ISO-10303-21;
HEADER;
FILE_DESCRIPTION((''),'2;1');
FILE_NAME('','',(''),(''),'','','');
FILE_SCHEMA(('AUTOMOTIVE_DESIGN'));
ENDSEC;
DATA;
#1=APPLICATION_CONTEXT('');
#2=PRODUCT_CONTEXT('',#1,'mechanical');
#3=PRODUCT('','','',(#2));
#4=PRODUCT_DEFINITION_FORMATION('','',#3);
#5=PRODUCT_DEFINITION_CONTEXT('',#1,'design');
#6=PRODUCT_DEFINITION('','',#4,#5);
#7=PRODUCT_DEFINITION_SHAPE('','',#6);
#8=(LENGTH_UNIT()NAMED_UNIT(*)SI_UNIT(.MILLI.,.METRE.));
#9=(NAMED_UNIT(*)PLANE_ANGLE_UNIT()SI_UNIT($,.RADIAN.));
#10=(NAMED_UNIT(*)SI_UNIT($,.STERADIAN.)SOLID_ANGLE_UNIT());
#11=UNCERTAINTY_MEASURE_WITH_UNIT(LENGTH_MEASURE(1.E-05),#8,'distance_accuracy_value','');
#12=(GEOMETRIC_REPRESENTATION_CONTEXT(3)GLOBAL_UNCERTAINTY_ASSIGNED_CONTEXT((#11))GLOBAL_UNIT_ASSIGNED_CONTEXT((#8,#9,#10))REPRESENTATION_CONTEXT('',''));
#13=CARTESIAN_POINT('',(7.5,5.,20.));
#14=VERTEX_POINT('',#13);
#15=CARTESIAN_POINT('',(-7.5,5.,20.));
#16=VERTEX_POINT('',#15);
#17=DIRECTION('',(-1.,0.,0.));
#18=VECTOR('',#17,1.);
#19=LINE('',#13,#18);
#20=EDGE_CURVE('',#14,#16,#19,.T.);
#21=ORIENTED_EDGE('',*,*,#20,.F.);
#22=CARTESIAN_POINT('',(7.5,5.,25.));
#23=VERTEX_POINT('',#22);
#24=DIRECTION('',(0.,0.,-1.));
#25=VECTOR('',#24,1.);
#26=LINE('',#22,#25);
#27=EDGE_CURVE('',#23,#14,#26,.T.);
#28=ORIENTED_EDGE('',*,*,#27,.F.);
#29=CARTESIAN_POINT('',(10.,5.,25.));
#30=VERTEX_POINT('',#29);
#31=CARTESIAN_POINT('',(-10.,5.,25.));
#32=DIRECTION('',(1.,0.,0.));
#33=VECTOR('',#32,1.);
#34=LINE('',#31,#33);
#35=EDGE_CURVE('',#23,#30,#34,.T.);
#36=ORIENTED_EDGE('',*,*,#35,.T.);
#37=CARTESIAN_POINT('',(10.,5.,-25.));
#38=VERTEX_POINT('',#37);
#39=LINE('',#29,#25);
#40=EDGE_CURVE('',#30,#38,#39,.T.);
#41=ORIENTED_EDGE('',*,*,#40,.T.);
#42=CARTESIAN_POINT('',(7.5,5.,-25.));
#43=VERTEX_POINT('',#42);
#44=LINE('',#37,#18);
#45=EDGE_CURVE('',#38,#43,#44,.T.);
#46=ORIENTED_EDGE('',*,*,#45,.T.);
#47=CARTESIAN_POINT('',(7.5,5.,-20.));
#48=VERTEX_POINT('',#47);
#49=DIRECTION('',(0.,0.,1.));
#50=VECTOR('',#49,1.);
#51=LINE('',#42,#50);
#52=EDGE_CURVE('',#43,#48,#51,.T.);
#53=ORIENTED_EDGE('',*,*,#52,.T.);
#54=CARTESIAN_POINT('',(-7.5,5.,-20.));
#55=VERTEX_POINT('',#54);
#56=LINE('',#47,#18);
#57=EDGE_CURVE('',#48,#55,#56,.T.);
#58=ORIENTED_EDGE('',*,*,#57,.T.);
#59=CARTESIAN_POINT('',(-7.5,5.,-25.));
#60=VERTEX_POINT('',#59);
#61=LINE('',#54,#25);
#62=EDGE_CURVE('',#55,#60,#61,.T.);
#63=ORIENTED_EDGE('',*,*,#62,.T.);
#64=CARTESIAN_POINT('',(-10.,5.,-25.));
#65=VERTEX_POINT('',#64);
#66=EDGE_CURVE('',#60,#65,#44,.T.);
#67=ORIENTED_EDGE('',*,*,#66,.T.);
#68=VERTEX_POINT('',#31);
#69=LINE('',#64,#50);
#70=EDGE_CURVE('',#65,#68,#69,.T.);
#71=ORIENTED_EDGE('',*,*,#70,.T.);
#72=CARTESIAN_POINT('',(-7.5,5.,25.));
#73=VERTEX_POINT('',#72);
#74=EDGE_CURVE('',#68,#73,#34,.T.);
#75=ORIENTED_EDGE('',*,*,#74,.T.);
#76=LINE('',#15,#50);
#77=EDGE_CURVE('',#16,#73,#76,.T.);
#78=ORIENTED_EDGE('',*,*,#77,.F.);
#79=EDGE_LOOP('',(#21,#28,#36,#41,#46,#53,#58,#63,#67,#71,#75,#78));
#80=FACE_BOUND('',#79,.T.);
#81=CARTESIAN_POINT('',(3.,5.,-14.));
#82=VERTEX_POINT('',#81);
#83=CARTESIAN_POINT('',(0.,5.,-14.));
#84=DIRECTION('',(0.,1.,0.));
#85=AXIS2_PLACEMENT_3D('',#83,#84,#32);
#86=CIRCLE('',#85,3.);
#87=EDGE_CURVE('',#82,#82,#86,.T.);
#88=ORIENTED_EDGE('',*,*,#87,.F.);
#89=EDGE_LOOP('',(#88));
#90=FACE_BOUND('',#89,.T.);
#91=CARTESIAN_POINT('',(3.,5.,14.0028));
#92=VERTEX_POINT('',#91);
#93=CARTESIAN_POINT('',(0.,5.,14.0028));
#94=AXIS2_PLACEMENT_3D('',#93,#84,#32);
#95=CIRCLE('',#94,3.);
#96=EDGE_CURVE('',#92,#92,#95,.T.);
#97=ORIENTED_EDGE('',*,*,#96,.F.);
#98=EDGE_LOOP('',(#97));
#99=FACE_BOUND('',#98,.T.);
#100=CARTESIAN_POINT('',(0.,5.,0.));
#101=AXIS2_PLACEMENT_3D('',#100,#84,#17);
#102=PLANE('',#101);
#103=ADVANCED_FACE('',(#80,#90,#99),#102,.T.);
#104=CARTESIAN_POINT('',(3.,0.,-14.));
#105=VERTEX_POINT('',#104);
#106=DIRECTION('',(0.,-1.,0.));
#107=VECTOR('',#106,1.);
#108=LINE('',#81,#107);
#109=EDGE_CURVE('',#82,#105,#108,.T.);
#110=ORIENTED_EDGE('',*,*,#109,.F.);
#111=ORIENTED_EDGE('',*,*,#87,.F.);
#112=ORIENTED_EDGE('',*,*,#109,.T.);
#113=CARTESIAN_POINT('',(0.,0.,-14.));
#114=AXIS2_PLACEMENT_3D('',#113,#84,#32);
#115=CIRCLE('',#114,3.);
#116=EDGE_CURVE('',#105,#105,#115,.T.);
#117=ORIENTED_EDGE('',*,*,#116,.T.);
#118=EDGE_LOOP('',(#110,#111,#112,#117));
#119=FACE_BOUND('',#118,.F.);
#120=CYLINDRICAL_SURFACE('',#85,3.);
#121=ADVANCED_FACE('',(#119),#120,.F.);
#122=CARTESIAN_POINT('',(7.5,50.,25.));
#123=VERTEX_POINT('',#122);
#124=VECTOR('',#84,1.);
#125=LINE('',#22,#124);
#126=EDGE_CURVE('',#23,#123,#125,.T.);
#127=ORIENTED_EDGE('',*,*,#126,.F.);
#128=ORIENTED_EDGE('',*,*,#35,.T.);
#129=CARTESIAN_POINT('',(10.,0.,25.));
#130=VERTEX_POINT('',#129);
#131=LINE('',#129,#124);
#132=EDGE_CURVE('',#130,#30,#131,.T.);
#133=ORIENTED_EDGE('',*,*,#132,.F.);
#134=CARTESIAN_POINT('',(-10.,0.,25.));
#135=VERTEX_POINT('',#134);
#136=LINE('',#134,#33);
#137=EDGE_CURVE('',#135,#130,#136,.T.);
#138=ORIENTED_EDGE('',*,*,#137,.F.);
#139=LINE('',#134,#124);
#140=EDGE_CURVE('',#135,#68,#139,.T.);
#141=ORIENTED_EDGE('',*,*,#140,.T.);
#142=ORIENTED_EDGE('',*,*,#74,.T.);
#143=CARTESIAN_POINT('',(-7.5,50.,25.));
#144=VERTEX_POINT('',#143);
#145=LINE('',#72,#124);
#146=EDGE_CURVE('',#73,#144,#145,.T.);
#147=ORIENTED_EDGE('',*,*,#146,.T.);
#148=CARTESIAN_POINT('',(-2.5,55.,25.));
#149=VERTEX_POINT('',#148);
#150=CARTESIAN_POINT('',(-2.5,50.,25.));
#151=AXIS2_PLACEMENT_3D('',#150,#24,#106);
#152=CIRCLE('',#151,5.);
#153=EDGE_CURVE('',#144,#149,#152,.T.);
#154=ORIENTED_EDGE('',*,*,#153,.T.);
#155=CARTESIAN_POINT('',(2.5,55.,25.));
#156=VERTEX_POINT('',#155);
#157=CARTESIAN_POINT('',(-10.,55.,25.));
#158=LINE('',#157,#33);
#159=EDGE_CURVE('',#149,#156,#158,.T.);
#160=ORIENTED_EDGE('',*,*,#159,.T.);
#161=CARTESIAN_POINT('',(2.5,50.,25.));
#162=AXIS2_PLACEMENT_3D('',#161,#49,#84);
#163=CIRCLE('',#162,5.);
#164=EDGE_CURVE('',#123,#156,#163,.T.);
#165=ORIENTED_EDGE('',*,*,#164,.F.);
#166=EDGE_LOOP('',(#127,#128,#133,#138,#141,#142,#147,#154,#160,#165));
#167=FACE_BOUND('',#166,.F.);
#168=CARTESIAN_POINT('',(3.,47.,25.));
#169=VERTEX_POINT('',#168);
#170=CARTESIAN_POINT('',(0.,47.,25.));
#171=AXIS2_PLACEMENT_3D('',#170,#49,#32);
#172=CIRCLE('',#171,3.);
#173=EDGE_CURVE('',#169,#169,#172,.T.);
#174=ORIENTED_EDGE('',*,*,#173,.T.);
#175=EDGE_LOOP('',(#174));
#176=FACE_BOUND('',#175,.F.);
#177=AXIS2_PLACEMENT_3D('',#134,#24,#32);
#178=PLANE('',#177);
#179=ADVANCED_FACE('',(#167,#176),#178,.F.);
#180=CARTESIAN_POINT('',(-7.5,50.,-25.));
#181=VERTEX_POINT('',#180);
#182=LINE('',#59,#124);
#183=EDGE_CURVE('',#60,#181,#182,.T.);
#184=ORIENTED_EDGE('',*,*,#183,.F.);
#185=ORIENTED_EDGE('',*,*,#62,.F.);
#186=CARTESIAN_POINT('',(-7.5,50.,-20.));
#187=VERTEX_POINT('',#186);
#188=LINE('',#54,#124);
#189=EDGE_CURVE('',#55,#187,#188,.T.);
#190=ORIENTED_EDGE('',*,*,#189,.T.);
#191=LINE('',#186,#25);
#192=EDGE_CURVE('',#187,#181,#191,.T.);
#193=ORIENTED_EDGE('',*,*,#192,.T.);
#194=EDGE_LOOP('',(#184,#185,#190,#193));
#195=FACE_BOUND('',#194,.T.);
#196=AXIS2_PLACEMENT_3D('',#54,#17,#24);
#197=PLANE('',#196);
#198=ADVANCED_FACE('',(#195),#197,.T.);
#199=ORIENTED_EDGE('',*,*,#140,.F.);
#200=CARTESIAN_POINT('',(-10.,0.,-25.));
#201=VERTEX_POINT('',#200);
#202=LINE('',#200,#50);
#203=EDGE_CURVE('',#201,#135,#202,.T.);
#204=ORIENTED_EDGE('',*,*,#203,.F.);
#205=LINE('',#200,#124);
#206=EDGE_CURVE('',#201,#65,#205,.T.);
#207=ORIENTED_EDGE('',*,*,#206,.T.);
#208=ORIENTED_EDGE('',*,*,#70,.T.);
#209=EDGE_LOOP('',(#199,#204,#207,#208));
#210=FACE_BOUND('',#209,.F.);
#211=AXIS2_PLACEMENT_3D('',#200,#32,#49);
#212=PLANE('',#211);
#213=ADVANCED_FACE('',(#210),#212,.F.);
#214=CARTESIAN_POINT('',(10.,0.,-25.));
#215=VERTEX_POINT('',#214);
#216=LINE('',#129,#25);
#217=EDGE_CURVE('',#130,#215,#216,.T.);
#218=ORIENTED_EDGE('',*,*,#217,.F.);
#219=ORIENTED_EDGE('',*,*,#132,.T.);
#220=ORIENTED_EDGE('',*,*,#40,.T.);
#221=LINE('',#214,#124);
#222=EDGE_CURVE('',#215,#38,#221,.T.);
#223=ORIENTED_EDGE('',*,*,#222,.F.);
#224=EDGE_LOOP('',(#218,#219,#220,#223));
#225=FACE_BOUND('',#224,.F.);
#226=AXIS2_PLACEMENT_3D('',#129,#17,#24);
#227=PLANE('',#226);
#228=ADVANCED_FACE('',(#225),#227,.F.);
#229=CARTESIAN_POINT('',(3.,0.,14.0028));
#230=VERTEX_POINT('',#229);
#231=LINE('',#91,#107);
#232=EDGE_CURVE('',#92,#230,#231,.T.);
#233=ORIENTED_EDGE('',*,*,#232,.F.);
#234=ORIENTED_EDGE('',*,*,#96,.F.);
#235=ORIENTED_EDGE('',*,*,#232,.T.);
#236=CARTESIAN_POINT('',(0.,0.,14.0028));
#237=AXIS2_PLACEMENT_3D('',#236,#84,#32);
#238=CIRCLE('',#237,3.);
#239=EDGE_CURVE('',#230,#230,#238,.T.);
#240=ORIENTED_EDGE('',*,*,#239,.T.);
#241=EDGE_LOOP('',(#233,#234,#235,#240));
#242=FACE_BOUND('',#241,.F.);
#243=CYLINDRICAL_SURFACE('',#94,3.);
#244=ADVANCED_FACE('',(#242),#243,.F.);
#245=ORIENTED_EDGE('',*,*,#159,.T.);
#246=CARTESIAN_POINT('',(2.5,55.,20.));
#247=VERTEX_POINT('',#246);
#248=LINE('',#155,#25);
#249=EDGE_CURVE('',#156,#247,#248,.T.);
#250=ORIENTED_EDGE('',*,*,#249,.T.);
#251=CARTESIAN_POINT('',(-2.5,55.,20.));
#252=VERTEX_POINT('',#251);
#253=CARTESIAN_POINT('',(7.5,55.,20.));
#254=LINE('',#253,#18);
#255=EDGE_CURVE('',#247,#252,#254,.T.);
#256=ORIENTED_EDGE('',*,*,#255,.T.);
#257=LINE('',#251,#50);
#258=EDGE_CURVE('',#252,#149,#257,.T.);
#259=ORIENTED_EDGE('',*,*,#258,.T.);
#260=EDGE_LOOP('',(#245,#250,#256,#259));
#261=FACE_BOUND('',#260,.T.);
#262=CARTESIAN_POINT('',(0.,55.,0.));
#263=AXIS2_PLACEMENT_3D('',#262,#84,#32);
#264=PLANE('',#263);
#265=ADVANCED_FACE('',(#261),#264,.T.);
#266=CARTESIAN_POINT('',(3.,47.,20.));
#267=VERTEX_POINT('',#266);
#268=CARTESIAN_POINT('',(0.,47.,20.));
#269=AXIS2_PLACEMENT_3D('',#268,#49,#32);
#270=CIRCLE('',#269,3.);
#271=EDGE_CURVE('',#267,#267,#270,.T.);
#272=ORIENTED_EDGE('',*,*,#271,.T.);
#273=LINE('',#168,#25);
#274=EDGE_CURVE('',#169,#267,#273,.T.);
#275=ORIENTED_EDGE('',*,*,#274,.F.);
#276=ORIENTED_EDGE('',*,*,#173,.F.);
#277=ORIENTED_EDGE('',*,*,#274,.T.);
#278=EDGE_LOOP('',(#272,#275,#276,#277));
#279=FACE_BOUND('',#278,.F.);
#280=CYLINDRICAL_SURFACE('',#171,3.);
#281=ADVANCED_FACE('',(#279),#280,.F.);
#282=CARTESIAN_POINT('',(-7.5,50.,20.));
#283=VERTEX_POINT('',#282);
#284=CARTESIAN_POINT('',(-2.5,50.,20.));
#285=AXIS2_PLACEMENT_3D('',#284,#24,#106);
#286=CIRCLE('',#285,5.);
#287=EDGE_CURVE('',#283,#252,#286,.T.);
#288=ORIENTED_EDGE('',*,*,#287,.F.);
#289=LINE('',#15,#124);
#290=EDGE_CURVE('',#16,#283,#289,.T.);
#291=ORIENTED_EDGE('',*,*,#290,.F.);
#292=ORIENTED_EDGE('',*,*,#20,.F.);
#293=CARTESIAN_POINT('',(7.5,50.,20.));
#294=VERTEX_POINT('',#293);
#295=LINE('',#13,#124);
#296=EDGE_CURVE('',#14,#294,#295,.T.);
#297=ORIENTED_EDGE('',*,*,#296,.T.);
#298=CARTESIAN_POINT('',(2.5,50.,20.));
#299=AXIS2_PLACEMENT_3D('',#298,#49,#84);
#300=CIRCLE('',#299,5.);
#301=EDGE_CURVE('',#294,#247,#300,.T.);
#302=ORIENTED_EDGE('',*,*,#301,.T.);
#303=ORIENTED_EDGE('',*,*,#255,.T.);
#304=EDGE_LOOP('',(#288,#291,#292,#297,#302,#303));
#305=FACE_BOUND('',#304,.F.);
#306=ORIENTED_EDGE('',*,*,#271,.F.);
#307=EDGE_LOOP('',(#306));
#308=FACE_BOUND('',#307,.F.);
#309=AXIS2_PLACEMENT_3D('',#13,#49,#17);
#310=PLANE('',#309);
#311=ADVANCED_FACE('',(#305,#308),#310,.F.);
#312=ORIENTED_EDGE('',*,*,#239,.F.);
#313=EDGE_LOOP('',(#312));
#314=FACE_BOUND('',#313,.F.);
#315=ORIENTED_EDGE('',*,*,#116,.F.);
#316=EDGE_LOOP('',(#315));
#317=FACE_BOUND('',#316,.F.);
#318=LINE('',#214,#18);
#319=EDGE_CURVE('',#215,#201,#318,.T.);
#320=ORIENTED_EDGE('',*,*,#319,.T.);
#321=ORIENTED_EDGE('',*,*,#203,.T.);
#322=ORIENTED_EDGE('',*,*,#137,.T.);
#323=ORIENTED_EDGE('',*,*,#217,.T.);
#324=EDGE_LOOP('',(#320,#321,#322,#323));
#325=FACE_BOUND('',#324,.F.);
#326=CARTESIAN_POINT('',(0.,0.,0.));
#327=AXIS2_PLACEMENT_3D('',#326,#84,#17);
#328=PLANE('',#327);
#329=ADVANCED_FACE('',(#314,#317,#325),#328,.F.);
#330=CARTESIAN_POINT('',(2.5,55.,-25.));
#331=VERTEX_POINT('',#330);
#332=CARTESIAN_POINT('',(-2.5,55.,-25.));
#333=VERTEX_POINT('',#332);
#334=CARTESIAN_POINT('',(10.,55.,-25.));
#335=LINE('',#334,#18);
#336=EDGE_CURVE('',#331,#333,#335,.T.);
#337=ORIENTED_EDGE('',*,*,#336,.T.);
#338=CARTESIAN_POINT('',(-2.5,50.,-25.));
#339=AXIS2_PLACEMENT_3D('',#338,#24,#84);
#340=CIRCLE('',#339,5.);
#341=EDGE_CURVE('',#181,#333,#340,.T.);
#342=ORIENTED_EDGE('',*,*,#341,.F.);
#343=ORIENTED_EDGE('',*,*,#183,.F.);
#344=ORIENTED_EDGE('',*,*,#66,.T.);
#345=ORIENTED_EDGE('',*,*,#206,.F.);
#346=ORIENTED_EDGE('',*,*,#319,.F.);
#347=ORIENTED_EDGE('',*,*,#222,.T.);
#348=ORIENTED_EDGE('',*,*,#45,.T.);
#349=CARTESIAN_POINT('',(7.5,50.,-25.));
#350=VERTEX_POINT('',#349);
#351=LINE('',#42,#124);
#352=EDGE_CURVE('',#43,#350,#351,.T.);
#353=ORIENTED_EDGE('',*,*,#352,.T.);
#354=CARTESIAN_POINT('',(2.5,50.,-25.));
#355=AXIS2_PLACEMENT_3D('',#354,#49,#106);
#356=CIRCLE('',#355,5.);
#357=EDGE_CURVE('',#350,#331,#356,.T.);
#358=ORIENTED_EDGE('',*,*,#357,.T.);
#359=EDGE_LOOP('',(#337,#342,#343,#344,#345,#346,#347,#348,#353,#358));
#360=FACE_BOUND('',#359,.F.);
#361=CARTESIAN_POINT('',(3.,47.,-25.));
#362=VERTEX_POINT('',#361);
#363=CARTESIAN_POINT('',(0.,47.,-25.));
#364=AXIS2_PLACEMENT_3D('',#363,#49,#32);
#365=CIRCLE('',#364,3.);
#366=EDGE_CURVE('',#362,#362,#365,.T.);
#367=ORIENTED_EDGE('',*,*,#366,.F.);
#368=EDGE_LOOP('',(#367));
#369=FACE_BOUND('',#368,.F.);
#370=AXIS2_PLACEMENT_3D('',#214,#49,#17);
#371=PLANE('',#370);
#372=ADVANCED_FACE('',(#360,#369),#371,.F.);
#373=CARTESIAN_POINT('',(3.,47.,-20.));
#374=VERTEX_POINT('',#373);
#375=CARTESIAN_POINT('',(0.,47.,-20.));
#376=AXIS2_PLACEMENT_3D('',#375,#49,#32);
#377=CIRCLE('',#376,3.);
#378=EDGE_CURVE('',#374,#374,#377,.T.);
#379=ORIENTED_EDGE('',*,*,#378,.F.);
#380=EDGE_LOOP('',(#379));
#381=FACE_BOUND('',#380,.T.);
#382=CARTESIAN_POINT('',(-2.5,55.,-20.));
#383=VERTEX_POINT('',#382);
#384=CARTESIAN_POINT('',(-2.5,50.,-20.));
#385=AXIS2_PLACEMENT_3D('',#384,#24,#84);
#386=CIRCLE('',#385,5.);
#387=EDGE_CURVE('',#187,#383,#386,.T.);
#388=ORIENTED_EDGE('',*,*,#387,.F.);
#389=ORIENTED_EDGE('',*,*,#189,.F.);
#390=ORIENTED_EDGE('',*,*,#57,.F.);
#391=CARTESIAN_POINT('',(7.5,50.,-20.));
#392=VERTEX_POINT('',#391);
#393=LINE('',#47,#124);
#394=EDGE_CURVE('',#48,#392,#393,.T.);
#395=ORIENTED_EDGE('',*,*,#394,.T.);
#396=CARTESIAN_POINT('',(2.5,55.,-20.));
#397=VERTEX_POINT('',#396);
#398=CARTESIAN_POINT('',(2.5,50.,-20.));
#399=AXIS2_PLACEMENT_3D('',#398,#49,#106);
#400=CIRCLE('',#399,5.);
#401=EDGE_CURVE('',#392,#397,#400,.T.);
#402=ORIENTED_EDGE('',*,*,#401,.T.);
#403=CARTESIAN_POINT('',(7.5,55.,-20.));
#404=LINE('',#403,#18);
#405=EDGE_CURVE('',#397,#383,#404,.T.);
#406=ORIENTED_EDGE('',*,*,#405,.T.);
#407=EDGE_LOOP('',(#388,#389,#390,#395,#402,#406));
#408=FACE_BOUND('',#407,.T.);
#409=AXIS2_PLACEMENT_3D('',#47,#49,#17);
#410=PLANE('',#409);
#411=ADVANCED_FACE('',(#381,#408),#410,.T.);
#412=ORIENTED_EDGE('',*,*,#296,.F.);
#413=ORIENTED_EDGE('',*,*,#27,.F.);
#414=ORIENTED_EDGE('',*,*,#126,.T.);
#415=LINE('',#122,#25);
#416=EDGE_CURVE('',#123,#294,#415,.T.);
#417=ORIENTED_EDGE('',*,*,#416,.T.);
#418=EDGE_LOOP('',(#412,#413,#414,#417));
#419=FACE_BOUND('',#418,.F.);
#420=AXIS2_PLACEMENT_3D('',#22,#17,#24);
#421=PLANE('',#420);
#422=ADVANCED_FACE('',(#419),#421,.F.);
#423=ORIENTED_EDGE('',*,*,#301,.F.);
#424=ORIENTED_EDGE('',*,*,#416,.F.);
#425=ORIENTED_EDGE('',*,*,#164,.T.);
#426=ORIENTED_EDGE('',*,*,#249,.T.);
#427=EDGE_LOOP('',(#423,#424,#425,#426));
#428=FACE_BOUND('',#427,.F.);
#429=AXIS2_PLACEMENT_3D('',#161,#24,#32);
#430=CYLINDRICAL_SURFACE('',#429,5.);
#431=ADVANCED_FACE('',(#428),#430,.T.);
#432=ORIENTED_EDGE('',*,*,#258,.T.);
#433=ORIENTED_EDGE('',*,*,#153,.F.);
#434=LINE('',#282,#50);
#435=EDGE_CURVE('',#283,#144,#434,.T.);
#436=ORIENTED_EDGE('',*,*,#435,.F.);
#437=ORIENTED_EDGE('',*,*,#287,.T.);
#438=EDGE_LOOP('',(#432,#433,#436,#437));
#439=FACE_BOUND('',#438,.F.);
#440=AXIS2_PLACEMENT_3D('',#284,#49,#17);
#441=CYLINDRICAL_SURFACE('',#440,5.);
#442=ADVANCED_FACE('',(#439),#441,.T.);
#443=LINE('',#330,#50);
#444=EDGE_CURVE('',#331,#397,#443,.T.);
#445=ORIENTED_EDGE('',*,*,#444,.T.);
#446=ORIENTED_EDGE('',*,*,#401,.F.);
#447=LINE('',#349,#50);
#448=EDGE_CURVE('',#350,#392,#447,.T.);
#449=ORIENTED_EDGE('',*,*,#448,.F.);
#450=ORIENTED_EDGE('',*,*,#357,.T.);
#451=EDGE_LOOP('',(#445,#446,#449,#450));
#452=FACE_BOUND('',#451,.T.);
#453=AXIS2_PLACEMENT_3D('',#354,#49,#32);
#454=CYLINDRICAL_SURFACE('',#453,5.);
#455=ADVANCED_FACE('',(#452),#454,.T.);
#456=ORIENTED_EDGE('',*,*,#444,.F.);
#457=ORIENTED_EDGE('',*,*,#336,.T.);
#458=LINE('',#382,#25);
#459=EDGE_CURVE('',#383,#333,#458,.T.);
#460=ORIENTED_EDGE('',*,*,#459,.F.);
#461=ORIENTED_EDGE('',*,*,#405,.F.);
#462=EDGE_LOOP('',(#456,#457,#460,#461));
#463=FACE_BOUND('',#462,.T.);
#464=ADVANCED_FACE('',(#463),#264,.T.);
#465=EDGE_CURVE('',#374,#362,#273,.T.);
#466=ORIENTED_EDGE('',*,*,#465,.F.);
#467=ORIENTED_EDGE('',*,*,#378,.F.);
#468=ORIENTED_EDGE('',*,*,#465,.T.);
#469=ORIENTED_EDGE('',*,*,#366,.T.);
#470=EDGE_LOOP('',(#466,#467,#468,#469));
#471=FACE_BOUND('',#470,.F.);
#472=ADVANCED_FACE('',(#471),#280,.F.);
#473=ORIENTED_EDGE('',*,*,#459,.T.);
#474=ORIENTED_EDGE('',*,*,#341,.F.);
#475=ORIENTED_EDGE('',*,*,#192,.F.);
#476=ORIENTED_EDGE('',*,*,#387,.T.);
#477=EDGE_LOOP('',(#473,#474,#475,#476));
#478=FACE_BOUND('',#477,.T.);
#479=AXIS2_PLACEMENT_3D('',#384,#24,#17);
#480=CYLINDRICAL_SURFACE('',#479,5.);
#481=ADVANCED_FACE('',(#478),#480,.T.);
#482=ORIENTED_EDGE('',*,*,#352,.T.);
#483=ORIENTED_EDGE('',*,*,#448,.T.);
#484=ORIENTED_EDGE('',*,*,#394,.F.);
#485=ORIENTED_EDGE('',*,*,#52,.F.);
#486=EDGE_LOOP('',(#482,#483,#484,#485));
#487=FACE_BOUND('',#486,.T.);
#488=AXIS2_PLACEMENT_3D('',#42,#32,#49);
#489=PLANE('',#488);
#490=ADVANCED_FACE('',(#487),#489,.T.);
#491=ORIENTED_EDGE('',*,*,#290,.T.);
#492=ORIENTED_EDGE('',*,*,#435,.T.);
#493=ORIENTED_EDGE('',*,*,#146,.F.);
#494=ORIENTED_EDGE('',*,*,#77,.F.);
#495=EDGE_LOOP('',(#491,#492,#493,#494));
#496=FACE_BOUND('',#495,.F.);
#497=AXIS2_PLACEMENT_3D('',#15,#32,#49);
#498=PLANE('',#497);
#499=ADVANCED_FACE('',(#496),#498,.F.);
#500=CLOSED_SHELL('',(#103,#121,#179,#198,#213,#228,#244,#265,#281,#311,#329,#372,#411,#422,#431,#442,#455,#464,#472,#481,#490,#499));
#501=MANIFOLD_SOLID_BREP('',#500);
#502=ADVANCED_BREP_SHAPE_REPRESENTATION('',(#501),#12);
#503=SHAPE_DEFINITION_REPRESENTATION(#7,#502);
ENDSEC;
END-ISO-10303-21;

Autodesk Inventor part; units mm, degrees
ref_plane "YZ Plane" through (0, 0, 0) normal (1, 0, 0) x (0, 1, 0)
ref_plane "XZ Plane" through (0, 0, 0) normal (0, 1, 0) x (-1, 0, 0)
ref_plane "XY Plane" through (0, 0, 0) normal (0, 0, 1) x (1, 0, 0)
sketch "Sketch1" plane through (0, 0, 0) normal (0, 1, 0) x (-1, 0, 0)
  line L0 (10, 25) -> (-10, 25)
  line L1 (-10, 25) -> (-10, -25)
  line L2 (-10, -25) -> (10, -25)
  line L3 (10, -25) -> (10, 25)
  point P0 (0, 0)
  dimension "d0" = 50
  dimension "d1" = 20
  dimension "d2" = 25
  dimension "d3" = 10
extrude "Extrusion1" add sketch "Sketch1" along normal blind 5
sketch "Sketch2" plane through (0, 5, 0) normal (0, 1, 0) x (1, 0, 0)
  line L0 (-10, -25) -> (10, -25) projected
  line L1 (-7.5, -25) -> (7.5, -25)
  line L2 (7.5, -25) -> (7.5, -20)
  line L3 (7.5, -20) -> (-7.5, -20)
  line L4 (-7.5, -20) -> (-7.5, -25)
  line L5 (-10, 25) -> (-10, -25) projected
  line L6 (10, 25) -> (-10, 25) projected
  line L7 (-7.5, 25) -> (7.5, 25)
  line L8 (7.5, 25) -> (7.5, 20)
  line L9 (7.5, 20) -> (-7.5, 20)
  line L10 (-7.5, 20) -> (-7.5, 25)
  point P0 (0, 0)
  dimension "d6" = 15
  dimension "d7" = 5
  dimension "d8" = 2.5
  dimension "d9" = 5
extrude "Extrusion2" add sketch "Sketch2" along normal blind 50
fillet "Fillet1" radius 5 4 edges at (7.5, 55, 22.5) (7.5, 55, -22.5) (-7.5, 55, 22.5) (-7.5, 55, -22.5)
sketch "Sketch3" plane through (-10, 0, 25) normal (0, 0, 1) x (1, 0, 0)
  line L0 (7.5, 55) -> (12.5, 55) projected
  circle A0 centre (10, 47) radius 3
  point P0 (10, 0)
  point P1 (10, 55)
  dimension "d13" = 6
  dimension "d14" = 8
extrude "Extrusion3" cut sketch "Sketch3" against normal through all
sketch "Sketch4" plane through (0, 5, 0) normal (0, 1, 0) x (1, 0, 0)
  line L0 (2.5, -20) -> (-2.5, -20) projected
  line L1 (-2.5, 20) -> (2.5, 20) projected
  circle A0 centre (0, -14.0028) radius 3
  circle A1 centre (0, 14) radius 3
  point P0 (0, 0)
  point P1 (0, -20)
  dimension "d17" = 6
  dimension "d18" = 6
  dimension "d19" = 5.9972
  dimension "d20" = 6
extrude "Extrusion4" cut sketch "Sketch4" against normal blind 10
equation "\"d2\" = 0.5 * d0"
equation "\"d3\" = 0.5 * d1"
properties part number "sensor_cover_ultrasonic_3"
